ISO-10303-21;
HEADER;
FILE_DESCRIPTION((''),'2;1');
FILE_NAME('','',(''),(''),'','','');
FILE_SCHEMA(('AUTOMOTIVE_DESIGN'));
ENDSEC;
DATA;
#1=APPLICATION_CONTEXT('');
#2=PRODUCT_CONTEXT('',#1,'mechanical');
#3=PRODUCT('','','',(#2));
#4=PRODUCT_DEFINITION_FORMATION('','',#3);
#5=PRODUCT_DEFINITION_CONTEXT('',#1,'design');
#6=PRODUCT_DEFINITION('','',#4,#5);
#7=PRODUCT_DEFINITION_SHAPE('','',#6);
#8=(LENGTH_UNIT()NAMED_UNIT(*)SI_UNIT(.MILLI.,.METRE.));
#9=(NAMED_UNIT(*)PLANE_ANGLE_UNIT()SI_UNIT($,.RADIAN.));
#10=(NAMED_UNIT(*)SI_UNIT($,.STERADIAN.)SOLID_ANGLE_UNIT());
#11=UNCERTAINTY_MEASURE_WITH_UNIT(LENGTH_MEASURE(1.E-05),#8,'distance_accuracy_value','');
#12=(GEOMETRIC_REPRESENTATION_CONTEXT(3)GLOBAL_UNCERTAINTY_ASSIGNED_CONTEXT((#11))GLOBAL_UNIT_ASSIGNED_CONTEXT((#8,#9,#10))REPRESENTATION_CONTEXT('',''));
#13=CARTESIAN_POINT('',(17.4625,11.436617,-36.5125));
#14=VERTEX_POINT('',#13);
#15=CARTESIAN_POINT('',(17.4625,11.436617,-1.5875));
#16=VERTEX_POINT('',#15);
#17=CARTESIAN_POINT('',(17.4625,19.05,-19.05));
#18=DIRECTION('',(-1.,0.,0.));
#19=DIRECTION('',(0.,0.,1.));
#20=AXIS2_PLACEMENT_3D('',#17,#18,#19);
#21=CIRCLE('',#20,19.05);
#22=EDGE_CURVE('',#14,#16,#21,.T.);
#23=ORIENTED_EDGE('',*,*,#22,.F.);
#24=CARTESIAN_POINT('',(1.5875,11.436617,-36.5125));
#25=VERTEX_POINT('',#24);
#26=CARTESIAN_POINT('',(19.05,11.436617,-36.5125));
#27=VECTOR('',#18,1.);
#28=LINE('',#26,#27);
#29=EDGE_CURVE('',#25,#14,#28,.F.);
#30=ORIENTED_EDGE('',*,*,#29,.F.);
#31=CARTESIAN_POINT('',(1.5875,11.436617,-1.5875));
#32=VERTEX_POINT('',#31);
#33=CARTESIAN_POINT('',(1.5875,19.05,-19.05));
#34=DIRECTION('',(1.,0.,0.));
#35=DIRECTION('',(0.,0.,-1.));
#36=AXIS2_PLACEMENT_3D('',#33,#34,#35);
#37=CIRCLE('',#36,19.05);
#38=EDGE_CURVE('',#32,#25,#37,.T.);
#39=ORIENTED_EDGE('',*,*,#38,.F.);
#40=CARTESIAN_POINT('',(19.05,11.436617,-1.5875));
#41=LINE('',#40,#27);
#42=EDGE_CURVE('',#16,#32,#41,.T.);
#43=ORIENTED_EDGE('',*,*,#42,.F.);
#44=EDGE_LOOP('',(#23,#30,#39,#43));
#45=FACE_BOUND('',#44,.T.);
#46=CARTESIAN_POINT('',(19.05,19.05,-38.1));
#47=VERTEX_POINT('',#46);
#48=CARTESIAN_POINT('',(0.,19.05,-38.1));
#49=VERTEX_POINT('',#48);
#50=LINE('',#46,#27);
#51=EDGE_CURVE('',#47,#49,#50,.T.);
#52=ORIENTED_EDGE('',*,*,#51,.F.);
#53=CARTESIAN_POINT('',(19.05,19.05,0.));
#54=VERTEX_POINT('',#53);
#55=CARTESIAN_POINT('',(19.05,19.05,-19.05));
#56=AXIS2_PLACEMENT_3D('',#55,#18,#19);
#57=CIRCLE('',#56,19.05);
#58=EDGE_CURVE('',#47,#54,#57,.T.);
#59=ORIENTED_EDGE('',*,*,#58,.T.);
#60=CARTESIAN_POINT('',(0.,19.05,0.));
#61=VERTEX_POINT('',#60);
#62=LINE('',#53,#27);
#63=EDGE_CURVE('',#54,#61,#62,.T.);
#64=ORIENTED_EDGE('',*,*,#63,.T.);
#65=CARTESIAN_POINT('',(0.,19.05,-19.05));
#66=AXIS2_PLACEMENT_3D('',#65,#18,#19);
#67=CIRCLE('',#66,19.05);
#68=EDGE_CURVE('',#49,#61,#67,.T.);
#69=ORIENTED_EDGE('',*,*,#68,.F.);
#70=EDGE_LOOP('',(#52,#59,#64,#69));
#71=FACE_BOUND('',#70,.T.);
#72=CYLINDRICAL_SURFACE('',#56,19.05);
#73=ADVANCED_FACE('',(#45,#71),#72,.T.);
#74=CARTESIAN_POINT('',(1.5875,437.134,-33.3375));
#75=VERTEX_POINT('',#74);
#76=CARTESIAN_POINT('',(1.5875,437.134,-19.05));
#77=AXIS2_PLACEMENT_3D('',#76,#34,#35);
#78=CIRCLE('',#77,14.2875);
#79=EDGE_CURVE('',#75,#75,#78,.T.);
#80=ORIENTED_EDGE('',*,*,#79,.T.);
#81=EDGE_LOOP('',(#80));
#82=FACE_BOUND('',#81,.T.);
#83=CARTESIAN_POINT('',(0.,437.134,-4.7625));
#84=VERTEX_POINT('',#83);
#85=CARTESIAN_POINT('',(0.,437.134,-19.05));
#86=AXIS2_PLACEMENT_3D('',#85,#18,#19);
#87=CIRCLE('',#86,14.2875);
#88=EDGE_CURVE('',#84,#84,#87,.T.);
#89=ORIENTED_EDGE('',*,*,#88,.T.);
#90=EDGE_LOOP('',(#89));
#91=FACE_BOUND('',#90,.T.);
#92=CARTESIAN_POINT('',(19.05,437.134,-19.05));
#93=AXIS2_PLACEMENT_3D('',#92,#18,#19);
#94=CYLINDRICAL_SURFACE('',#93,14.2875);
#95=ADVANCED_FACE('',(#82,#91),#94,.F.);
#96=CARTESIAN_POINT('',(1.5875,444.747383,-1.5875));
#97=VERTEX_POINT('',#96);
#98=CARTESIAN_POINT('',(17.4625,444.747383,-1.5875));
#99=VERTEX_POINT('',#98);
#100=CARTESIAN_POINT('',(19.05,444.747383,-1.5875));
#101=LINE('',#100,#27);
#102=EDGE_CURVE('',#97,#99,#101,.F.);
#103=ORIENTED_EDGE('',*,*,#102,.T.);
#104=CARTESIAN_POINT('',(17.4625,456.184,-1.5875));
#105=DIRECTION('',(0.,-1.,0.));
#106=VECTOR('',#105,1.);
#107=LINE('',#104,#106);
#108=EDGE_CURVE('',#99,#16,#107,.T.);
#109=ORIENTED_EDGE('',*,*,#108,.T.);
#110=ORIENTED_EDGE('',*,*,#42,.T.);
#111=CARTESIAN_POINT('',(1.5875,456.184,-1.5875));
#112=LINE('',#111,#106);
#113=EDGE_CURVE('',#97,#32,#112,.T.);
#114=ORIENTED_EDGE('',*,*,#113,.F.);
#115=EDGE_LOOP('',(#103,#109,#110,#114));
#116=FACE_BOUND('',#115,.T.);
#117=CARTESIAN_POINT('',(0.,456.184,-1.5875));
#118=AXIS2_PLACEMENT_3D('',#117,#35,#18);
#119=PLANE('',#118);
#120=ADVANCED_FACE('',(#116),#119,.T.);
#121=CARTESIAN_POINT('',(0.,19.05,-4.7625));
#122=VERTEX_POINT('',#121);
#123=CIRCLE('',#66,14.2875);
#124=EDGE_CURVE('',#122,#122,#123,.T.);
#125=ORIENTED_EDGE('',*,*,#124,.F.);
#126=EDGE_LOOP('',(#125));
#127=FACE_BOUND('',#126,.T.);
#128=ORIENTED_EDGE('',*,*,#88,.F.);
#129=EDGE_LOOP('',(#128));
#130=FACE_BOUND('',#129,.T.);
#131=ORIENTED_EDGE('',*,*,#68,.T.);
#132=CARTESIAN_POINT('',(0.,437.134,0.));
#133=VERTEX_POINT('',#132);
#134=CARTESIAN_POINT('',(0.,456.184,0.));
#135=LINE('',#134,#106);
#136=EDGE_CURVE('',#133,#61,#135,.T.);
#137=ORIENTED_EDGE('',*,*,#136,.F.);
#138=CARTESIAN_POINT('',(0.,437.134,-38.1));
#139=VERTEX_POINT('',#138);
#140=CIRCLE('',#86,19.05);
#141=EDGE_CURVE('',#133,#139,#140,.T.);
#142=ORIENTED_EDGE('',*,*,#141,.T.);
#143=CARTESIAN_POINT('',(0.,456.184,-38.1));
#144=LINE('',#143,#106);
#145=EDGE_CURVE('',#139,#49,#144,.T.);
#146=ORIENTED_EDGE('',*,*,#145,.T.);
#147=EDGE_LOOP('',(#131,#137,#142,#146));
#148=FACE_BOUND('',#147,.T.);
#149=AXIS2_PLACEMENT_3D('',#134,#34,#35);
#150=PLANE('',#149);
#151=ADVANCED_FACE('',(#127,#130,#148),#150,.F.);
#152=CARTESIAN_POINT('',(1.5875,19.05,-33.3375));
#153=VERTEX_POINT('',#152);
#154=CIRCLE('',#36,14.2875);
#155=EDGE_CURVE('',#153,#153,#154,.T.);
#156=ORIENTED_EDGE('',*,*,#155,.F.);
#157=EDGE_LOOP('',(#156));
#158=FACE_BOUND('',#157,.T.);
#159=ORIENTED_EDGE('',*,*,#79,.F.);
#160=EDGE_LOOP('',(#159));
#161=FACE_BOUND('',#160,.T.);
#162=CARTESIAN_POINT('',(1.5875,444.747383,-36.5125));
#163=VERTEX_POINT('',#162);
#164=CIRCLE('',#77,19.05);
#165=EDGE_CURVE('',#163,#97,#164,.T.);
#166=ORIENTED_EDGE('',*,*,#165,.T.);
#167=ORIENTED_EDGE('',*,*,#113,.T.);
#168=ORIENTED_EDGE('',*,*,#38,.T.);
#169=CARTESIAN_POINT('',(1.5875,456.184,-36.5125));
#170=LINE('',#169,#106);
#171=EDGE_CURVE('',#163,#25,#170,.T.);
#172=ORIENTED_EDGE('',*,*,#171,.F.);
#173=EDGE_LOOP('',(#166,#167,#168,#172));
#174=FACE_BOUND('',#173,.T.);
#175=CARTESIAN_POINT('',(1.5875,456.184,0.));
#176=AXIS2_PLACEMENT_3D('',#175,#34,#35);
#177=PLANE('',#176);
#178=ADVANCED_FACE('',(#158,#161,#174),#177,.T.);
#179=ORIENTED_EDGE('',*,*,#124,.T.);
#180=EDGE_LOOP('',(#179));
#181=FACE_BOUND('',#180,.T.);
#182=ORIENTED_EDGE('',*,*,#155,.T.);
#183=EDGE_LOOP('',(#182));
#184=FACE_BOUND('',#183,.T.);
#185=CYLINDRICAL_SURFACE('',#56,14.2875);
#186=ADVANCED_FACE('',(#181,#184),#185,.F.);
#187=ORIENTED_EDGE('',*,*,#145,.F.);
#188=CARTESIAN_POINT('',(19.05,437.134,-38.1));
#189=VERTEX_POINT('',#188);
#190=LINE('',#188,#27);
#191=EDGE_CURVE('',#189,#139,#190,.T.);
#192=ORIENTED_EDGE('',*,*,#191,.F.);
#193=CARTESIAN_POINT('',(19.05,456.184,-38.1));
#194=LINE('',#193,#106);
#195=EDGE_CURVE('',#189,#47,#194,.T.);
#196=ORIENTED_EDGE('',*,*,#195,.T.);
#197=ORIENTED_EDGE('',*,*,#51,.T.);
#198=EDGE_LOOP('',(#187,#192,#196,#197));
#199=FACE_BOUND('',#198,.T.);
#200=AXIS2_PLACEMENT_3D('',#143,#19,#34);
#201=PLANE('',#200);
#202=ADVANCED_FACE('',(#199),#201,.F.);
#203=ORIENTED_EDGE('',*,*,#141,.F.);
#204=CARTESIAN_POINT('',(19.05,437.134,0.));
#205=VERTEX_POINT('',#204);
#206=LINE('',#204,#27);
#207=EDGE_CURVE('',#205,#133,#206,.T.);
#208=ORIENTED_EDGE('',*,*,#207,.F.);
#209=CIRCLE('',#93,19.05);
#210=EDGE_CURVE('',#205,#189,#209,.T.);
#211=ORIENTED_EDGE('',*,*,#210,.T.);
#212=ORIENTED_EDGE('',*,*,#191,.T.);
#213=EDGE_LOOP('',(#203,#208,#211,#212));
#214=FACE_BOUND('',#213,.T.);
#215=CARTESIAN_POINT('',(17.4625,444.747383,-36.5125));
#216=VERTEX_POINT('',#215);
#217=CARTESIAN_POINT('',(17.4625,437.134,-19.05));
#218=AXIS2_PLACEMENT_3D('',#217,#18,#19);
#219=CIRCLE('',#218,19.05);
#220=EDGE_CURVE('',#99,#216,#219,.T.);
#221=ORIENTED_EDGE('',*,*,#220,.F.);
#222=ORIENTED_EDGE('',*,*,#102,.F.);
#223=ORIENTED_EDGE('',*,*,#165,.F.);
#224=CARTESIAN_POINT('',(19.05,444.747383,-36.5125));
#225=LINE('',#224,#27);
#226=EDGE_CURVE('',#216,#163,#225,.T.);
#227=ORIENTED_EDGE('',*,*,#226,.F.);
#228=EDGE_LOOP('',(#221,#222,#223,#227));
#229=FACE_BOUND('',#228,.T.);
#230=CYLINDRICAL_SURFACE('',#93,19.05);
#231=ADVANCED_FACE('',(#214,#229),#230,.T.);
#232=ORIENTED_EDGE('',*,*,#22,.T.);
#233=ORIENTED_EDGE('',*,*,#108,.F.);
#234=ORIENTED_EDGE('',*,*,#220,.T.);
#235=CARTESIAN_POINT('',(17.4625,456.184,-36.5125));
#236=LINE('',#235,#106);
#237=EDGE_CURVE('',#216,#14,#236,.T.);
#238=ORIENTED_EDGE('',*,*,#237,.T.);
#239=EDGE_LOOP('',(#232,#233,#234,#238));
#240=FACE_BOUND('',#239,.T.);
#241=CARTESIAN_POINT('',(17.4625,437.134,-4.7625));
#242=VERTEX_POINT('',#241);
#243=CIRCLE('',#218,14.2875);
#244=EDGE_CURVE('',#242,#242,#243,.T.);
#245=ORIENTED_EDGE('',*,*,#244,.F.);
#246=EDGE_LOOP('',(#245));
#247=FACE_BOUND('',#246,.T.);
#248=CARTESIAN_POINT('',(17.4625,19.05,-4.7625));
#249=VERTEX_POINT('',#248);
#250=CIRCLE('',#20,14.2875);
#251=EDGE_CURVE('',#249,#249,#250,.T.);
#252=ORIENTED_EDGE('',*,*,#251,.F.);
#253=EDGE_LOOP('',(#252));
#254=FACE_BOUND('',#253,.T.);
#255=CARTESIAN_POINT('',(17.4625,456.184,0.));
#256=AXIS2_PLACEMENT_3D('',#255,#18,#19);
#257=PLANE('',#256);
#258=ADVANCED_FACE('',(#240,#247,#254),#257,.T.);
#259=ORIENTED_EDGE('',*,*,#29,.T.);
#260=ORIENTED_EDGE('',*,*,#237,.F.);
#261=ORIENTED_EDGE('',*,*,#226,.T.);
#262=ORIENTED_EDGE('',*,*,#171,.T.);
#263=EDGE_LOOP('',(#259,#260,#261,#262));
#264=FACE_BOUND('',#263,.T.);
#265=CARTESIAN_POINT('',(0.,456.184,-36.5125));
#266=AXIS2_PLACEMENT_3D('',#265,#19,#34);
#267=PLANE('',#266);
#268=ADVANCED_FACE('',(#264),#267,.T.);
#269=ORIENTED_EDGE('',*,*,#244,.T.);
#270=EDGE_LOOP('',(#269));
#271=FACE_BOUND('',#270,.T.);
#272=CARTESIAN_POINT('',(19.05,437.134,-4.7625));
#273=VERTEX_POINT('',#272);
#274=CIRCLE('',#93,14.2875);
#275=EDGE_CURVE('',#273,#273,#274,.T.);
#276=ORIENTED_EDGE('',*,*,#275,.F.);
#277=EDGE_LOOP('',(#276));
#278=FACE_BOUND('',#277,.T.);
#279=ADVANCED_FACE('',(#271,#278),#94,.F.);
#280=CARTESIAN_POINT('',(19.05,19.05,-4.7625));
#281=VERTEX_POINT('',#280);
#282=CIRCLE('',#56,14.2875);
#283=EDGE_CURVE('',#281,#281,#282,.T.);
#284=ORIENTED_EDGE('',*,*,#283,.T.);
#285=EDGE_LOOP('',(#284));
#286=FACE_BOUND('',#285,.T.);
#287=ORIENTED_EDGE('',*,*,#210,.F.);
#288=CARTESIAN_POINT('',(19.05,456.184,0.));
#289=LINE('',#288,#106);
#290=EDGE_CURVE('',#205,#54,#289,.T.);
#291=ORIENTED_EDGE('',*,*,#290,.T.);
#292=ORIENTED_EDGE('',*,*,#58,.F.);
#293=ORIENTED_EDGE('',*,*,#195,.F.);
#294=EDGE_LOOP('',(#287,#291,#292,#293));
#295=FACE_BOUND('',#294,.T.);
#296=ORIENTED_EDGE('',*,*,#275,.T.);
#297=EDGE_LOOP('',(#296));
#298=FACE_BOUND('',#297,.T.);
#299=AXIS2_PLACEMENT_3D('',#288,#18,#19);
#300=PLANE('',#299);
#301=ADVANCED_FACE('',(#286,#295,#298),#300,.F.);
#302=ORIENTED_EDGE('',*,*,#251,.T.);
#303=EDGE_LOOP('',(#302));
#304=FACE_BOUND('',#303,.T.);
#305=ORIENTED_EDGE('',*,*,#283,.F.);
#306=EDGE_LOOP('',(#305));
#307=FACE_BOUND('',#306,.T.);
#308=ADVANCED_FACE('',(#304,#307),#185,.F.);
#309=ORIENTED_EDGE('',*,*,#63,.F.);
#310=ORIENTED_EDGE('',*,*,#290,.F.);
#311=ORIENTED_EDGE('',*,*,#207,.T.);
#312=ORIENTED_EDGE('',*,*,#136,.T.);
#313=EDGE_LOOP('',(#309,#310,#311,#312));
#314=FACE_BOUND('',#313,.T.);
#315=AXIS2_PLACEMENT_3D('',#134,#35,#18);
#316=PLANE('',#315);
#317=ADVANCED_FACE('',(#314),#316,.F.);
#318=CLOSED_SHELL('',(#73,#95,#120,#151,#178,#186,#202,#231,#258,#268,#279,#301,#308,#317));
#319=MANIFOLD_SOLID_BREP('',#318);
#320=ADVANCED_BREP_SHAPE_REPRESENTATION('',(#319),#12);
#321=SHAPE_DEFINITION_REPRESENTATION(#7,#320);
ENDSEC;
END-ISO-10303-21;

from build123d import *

# Parameters (mm, degrees)
SKETCH2_W           = 19.05
SKETCH2_H           = 38.1
SKETCH2_W_2         = 15.875
SKETCH2_H_2         = 34.925
EXTRUDE_THIN1_DEPTH = 456.184
SKETCH3_R           = 14.2875
CUT_EXTRUDE1_DEPTH  = 20.05


with BuildPart() as part:
    # Sketch2 → Extrude-Thin1 (new body)
    with BuildSketch(Plane(origin=(0, 0, 0), x_dir=(1, 0, 0), z_dir=(0, 1, 0))):
        with Locations((9.525, 19.05)):
            Rectangle(SKETCH2_W, SKETCH2_H)
        with Locations((9.525, 19.05)):
            Rectangle(SKETCH2_W_2, SKETCH2_H_2, mode=Mode.SUBTRACT)
    extrude(amount=EXTRUDE_THIN1_DEPTH)

    # Sketch3 → Cut-Extrude1 (cut, through all)
    with BuildSketch(Plane.ZY):
        with Locations((-19.05, 19.05)):
            Circle(SKETCH3_R)
        with BuildLine():
            ThreePointArc((-19.05, 0), (-32.520384182, 5.579615818), (-38.1, 19.05))
            Line((-38.1, 19.05), (-38.1, 0))
            Line((-38.1, 0), (-19.05, 0))
        make_face()
        with BuildLine():
            ThreePointArc((0, 19.05), (-5.579615818, 5.579615818), (-19.05, 0))
            Line((-19.05, 0), (0, 0))
            Line((0, 0), (0, 19.05))
        make_face()
        with Locations((-19.05, 437.134)):
            Circle(SKETCH3_R)
        with BuildLine():
            Line((-38.1, 456.184), (-38.1, 437.134))
            ThreePointArc((-38.1, 437.134), (-32.520384182, 450.604384182), (-19.05, 456.184))
            Line((-19.05, 456.184), (-38.1, 456.184))
        make_face()
        with BuildLine():
            Line((0, 456.184), (-19.05, 456.184))
            ThreePointArc((-19.05, 456.184), (-5.579615818, 450.604384182), (0, 437.134))
            Line((0, 437.134), (0, 456.184))
        make_face()
    extrude(amount=-CUT_EXTRUDE1_DEPTH, mode=Mode.SUBTRACT)


solid = part.part
